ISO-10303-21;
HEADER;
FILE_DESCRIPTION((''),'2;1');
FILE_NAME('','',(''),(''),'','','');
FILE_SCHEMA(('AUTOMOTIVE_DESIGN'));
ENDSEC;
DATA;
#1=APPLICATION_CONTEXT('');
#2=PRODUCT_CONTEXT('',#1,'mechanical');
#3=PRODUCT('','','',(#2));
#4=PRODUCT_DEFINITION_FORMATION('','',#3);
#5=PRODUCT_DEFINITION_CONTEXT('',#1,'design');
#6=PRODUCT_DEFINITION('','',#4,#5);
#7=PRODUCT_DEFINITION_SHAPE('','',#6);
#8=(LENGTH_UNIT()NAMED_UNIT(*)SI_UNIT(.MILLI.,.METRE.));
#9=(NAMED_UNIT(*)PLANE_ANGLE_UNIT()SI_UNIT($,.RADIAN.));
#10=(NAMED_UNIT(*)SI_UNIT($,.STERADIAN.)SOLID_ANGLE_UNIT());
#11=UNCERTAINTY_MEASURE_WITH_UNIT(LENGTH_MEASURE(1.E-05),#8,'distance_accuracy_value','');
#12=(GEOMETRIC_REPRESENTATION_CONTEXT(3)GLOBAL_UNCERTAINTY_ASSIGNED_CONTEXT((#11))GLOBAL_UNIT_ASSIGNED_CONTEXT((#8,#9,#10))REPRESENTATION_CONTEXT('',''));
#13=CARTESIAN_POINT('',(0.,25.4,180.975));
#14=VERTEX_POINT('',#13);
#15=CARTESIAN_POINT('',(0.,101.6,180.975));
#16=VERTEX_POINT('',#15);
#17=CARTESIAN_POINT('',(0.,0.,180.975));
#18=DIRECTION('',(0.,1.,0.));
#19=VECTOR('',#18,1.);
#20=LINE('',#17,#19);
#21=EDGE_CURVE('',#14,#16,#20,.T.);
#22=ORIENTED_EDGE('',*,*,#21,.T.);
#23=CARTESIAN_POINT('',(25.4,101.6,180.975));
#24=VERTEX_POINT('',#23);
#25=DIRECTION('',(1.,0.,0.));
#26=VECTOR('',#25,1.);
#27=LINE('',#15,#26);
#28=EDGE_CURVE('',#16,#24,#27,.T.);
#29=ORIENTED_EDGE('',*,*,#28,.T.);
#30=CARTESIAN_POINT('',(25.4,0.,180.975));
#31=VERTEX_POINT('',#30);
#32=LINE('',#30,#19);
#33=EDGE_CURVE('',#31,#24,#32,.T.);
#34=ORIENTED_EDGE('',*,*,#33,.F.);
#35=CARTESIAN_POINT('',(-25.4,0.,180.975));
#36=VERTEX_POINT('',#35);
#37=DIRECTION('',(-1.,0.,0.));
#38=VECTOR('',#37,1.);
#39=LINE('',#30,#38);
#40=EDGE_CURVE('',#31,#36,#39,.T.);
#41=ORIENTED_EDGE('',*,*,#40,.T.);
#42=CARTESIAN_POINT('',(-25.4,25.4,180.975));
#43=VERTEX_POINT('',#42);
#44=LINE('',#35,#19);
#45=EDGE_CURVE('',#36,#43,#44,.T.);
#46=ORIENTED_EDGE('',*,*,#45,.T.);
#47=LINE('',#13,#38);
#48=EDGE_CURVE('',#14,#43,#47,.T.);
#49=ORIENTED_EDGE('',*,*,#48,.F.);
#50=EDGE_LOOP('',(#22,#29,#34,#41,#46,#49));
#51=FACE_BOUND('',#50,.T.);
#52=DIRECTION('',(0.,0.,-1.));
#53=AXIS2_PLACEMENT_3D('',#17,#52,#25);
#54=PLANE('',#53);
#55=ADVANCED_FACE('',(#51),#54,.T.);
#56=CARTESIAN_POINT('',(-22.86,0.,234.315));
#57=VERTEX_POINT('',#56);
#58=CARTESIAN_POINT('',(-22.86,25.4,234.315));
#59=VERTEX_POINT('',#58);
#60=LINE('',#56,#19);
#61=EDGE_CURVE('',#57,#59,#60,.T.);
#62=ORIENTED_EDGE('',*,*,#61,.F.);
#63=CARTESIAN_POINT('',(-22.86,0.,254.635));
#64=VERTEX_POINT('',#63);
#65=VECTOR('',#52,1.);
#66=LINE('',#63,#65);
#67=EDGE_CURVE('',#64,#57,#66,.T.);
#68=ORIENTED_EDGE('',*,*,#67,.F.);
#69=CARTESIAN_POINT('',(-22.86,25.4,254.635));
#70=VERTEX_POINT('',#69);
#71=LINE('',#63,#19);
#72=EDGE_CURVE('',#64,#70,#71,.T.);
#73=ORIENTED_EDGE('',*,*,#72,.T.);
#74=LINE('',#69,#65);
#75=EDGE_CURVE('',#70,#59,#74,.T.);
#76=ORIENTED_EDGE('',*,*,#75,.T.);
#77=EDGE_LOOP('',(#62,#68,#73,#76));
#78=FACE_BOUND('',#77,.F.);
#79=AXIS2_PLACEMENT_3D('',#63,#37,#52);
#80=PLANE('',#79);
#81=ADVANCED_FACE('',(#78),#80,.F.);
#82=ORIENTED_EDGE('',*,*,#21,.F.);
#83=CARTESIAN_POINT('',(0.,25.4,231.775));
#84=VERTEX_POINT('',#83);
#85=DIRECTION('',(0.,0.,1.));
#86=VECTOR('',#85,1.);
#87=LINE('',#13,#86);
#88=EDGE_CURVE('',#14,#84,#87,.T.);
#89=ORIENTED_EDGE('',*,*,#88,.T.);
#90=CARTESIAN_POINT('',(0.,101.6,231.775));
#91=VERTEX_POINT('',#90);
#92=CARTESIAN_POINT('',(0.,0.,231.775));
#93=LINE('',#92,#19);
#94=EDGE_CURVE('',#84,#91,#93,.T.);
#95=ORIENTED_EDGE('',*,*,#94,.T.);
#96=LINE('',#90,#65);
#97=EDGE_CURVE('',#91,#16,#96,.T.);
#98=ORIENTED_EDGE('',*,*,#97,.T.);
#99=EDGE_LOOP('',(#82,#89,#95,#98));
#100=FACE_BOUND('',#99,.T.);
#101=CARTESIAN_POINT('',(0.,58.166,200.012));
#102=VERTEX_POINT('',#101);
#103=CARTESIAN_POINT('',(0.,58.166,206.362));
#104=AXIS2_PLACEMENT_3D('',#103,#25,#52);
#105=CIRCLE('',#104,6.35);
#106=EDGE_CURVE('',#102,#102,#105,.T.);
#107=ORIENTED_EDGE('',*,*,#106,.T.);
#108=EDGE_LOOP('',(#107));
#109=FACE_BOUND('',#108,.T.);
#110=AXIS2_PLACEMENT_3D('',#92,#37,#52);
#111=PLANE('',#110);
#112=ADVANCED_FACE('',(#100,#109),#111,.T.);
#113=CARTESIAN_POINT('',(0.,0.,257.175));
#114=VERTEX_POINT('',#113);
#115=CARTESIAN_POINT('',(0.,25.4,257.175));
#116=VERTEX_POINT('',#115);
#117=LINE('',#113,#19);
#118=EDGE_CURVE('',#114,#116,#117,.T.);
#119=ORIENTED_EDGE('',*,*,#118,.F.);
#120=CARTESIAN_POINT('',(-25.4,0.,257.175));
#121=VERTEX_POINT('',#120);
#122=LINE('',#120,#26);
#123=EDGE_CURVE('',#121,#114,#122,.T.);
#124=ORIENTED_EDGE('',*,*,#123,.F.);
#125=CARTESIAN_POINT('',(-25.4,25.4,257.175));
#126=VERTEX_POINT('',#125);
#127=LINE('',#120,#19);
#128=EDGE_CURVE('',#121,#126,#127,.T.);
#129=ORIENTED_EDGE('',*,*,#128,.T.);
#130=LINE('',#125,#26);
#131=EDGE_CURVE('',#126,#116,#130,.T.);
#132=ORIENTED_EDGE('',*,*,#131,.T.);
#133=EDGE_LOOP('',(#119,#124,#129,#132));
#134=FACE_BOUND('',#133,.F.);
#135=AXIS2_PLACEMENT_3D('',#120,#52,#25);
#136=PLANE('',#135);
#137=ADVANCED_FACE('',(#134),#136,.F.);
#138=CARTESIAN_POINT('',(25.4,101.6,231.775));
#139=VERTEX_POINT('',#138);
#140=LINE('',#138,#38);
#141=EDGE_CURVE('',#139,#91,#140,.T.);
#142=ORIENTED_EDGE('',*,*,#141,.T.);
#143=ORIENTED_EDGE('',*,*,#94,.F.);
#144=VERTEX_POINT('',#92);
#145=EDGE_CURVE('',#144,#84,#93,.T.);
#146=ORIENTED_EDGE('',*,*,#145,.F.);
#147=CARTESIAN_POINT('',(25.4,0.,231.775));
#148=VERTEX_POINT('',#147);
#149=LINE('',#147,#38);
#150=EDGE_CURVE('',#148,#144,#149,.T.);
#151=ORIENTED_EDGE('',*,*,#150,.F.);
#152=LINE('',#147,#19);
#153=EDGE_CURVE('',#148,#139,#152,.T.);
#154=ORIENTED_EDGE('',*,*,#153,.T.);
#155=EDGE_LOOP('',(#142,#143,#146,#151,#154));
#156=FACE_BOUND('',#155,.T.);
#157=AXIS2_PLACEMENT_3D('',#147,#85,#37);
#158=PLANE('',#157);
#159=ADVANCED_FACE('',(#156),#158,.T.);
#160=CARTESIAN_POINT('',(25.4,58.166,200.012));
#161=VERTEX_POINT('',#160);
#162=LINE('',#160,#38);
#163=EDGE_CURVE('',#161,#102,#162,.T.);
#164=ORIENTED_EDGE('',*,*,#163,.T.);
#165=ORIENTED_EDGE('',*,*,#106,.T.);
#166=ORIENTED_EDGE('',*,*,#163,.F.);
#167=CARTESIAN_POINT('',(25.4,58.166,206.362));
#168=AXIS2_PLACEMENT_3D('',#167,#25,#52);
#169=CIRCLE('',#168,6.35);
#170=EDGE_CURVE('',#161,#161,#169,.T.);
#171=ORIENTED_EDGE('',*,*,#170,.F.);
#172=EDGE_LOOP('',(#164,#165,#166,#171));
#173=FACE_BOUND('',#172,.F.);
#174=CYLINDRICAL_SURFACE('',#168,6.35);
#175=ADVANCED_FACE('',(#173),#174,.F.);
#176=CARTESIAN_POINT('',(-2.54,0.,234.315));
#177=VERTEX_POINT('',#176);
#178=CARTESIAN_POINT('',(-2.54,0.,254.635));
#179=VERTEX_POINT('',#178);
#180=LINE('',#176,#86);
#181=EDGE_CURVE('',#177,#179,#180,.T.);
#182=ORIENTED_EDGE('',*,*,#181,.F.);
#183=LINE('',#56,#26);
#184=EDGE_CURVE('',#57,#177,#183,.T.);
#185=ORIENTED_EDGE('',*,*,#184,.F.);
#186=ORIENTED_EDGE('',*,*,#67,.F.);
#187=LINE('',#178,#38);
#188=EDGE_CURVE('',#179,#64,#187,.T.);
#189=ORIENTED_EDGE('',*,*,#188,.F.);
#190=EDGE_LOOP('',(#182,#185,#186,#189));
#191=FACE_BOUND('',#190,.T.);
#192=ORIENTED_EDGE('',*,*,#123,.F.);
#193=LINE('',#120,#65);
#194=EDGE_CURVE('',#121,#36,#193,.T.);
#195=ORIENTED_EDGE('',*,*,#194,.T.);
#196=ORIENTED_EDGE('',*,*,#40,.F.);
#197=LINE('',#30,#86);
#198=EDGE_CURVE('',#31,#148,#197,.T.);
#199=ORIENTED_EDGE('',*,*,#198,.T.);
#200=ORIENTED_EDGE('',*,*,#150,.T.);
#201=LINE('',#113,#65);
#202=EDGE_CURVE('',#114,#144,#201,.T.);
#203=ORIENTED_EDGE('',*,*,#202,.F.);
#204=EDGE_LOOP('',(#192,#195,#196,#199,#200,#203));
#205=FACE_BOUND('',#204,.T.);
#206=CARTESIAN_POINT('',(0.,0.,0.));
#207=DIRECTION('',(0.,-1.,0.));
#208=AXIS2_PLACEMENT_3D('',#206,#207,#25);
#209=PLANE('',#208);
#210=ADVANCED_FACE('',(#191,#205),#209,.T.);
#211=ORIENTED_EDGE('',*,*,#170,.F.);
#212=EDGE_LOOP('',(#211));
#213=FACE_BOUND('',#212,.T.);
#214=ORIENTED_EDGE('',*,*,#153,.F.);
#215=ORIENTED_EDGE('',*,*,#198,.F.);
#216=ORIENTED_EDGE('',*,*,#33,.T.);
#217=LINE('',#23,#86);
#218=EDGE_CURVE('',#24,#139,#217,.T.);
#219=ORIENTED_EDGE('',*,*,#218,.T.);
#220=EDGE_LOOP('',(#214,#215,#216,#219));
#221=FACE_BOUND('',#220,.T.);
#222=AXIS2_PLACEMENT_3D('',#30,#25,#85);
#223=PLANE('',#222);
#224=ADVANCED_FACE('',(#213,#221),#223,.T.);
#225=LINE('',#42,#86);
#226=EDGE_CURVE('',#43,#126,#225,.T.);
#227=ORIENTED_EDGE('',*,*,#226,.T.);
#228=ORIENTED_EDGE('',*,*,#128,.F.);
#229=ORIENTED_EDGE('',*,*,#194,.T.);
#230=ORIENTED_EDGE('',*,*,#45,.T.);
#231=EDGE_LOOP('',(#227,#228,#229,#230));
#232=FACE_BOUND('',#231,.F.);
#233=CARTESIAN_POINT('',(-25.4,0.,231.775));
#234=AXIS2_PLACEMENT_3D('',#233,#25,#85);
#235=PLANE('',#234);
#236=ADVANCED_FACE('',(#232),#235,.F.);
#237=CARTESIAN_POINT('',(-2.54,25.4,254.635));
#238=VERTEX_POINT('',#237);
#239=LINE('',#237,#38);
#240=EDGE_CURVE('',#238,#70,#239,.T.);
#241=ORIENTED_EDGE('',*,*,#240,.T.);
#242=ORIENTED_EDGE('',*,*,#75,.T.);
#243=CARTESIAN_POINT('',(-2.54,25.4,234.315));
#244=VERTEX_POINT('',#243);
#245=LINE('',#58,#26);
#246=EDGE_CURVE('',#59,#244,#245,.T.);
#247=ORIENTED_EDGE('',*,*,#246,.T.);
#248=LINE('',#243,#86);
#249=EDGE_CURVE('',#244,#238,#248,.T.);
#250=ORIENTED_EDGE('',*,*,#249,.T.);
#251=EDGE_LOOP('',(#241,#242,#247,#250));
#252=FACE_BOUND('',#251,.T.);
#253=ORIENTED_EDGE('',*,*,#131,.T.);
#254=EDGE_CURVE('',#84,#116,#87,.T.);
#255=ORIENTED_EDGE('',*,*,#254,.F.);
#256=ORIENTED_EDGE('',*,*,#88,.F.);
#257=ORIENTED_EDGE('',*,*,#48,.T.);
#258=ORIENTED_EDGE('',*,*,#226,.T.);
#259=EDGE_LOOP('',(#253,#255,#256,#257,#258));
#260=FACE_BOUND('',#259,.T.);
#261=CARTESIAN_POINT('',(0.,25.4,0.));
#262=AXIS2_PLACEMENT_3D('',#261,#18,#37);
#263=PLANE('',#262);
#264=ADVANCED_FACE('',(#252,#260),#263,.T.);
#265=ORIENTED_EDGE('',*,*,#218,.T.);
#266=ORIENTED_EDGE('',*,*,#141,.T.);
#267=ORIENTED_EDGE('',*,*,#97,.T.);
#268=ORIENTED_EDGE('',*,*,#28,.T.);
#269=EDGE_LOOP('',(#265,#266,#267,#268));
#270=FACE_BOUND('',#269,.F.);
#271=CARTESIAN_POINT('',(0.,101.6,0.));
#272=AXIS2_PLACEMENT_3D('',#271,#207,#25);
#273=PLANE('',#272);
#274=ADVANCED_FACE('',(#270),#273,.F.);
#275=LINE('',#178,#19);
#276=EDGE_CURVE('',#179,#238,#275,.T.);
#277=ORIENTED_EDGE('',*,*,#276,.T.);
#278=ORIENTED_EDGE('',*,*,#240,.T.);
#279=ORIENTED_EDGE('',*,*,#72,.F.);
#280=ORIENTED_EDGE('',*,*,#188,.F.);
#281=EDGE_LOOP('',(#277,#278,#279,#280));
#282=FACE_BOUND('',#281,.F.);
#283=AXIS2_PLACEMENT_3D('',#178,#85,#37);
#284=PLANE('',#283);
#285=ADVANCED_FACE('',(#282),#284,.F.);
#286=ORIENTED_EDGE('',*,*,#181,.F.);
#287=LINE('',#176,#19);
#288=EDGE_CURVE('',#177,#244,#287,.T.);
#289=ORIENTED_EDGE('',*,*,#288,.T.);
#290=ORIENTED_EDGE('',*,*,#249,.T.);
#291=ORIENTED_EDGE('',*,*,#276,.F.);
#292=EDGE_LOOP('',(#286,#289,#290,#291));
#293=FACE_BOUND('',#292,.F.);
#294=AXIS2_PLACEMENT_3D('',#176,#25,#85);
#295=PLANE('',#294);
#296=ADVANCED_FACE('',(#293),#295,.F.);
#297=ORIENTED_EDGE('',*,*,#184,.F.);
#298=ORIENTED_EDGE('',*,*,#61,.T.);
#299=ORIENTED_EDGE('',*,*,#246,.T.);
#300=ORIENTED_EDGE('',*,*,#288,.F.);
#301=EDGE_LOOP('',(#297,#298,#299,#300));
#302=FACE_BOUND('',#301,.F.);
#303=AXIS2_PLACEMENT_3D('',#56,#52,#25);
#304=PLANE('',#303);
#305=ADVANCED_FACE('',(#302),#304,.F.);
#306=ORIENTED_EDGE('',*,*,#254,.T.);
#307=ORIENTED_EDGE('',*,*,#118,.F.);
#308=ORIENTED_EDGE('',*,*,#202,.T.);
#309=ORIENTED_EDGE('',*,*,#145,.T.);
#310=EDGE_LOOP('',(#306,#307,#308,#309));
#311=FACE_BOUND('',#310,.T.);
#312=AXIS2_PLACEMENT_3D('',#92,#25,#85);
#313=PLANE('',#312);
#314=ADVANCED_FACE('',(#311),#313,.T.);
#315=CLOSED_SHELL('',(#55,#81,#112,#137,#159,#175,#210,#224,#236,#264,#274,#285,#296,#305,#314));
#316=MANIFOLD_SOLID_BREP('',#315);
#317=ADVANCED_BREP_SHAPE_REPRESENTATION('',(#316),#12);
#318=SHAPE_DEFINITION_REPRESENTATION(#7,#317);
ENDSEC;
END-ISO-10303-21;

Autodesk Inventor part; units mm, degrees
ref_plane "YZ Plane" through (0, 0, 0) normal (1, 0, 0) x (0, 1, 0)
ref_plane "XZ Plane" through (0, 0, 0) normal (0, 1, 0) x (-1, 0, 0)
ref_plane "XY Plane" through (0, 0, 0) normal (0, 0, 1) x (1, 0, 0)
sketch "Sketch1" plane through (0, 0, 0) normal (0, 1, 0) x (-1, 0, 0)
  line L0 (25.4, 231.775) -> (25.4, 257.175)
  line L1 (25.4, 257.175) -> (0, 257.175)
  line L2 (0, 231.775) -> (0, 257.175)
  line L3 (25.4, 231.775) -> (0, 231.775)
  line L4 (2.54, 234.315) -> (2.54, 254.635)
  line L5 (2.54, 254.635) -> (22.86, 254.635)
  line L6 (22.86, 254.635) -> (22.86, 234.315)
  line L7 (22.86, 234.315) -> (2.54, 234.315)
  line L8 (25.4, 231.775) -> (0, 231.775)
  line L9 (0, 231.775) -> (0, 180.975)
  line L10 (0, 180.975) -> (25.4, 180.975)
  line L11 (25.4, 180.975) -> (25.4, 231.775)
  line L12 (25.4, 231.775) -> (25.4, 257.175)
  line L13 (25.4, 257.175) -> (0, 257.175)
  line L14 (0, 231.775) -> (0, 257.175)
  line L15 (25.4, 231.775) -> (0, 231.775)
  line L16 (2.54, 234.315) -> (2.54, 254.635)
  line L17 (2.54, 254.635) -> (22.86, 254.635)
  line L18 (22.86, 254.635) -> (22.86, 234.315)
  line L19 (22.86, 234.315) -> (2.54, 234.315)
  line L20 (25.4, 231.775) -> (0, 231.775)
  line L21 (0, 231.775) -> (0, 180.975)
  line L22 (0, 180.975) -> (25.4, 180.975)
  line L23 (25.4, 180.975) -> (25.4, 231.775)
  point P0 (0, 0)
  dimension "d0" = 50.8
  dimension "d1" = 50.8
extrude "Extrusion1" add sketch "Sketch1" along normal blind 25.4
sketch "Sketch2" plane through (0, 0, 0) normal (0, -1, 0) x (1, 0, 0)
  line L0 (0, 180.975) -> (-25.4, 180.975) projected
  line L1 (0, 180.975) -> (25.4, 180.975)
  line L2 (25.4, 180.975) -> (25.4, 231.775)
  line L3 (25.4, 231.775) -> (0, 231.775)
  line L4 (0, 231.775) -> (0, 180.975)
  point P0 (0, 0)
  dimension "d4" = 25.4
  dimension "d5" = 50.8
extrude "Extrusion2" add sketch "Sketch2" against normal blind 101.6
sketch "Sketch3" plane through (25.4, 0, 231.775) normal (1, 0, 0) x (0, 0, -1)
  circle A0 centre (25.413, 58.166) radius 6.35
  line L0 (42.6336, 19.05) -> (42.6336, 58.166) construction
  line L1 (42.6336, 58.166) -> (25.413, 58.166) construction
  point P0 (231.775, 0)
  dimension "d8" = 12.7
  dimension "d11" = 39.116
extrude "Extrusion3" cut sketch "Sketch3" against normal blind 25.4
properties part number "intakee mount2"
